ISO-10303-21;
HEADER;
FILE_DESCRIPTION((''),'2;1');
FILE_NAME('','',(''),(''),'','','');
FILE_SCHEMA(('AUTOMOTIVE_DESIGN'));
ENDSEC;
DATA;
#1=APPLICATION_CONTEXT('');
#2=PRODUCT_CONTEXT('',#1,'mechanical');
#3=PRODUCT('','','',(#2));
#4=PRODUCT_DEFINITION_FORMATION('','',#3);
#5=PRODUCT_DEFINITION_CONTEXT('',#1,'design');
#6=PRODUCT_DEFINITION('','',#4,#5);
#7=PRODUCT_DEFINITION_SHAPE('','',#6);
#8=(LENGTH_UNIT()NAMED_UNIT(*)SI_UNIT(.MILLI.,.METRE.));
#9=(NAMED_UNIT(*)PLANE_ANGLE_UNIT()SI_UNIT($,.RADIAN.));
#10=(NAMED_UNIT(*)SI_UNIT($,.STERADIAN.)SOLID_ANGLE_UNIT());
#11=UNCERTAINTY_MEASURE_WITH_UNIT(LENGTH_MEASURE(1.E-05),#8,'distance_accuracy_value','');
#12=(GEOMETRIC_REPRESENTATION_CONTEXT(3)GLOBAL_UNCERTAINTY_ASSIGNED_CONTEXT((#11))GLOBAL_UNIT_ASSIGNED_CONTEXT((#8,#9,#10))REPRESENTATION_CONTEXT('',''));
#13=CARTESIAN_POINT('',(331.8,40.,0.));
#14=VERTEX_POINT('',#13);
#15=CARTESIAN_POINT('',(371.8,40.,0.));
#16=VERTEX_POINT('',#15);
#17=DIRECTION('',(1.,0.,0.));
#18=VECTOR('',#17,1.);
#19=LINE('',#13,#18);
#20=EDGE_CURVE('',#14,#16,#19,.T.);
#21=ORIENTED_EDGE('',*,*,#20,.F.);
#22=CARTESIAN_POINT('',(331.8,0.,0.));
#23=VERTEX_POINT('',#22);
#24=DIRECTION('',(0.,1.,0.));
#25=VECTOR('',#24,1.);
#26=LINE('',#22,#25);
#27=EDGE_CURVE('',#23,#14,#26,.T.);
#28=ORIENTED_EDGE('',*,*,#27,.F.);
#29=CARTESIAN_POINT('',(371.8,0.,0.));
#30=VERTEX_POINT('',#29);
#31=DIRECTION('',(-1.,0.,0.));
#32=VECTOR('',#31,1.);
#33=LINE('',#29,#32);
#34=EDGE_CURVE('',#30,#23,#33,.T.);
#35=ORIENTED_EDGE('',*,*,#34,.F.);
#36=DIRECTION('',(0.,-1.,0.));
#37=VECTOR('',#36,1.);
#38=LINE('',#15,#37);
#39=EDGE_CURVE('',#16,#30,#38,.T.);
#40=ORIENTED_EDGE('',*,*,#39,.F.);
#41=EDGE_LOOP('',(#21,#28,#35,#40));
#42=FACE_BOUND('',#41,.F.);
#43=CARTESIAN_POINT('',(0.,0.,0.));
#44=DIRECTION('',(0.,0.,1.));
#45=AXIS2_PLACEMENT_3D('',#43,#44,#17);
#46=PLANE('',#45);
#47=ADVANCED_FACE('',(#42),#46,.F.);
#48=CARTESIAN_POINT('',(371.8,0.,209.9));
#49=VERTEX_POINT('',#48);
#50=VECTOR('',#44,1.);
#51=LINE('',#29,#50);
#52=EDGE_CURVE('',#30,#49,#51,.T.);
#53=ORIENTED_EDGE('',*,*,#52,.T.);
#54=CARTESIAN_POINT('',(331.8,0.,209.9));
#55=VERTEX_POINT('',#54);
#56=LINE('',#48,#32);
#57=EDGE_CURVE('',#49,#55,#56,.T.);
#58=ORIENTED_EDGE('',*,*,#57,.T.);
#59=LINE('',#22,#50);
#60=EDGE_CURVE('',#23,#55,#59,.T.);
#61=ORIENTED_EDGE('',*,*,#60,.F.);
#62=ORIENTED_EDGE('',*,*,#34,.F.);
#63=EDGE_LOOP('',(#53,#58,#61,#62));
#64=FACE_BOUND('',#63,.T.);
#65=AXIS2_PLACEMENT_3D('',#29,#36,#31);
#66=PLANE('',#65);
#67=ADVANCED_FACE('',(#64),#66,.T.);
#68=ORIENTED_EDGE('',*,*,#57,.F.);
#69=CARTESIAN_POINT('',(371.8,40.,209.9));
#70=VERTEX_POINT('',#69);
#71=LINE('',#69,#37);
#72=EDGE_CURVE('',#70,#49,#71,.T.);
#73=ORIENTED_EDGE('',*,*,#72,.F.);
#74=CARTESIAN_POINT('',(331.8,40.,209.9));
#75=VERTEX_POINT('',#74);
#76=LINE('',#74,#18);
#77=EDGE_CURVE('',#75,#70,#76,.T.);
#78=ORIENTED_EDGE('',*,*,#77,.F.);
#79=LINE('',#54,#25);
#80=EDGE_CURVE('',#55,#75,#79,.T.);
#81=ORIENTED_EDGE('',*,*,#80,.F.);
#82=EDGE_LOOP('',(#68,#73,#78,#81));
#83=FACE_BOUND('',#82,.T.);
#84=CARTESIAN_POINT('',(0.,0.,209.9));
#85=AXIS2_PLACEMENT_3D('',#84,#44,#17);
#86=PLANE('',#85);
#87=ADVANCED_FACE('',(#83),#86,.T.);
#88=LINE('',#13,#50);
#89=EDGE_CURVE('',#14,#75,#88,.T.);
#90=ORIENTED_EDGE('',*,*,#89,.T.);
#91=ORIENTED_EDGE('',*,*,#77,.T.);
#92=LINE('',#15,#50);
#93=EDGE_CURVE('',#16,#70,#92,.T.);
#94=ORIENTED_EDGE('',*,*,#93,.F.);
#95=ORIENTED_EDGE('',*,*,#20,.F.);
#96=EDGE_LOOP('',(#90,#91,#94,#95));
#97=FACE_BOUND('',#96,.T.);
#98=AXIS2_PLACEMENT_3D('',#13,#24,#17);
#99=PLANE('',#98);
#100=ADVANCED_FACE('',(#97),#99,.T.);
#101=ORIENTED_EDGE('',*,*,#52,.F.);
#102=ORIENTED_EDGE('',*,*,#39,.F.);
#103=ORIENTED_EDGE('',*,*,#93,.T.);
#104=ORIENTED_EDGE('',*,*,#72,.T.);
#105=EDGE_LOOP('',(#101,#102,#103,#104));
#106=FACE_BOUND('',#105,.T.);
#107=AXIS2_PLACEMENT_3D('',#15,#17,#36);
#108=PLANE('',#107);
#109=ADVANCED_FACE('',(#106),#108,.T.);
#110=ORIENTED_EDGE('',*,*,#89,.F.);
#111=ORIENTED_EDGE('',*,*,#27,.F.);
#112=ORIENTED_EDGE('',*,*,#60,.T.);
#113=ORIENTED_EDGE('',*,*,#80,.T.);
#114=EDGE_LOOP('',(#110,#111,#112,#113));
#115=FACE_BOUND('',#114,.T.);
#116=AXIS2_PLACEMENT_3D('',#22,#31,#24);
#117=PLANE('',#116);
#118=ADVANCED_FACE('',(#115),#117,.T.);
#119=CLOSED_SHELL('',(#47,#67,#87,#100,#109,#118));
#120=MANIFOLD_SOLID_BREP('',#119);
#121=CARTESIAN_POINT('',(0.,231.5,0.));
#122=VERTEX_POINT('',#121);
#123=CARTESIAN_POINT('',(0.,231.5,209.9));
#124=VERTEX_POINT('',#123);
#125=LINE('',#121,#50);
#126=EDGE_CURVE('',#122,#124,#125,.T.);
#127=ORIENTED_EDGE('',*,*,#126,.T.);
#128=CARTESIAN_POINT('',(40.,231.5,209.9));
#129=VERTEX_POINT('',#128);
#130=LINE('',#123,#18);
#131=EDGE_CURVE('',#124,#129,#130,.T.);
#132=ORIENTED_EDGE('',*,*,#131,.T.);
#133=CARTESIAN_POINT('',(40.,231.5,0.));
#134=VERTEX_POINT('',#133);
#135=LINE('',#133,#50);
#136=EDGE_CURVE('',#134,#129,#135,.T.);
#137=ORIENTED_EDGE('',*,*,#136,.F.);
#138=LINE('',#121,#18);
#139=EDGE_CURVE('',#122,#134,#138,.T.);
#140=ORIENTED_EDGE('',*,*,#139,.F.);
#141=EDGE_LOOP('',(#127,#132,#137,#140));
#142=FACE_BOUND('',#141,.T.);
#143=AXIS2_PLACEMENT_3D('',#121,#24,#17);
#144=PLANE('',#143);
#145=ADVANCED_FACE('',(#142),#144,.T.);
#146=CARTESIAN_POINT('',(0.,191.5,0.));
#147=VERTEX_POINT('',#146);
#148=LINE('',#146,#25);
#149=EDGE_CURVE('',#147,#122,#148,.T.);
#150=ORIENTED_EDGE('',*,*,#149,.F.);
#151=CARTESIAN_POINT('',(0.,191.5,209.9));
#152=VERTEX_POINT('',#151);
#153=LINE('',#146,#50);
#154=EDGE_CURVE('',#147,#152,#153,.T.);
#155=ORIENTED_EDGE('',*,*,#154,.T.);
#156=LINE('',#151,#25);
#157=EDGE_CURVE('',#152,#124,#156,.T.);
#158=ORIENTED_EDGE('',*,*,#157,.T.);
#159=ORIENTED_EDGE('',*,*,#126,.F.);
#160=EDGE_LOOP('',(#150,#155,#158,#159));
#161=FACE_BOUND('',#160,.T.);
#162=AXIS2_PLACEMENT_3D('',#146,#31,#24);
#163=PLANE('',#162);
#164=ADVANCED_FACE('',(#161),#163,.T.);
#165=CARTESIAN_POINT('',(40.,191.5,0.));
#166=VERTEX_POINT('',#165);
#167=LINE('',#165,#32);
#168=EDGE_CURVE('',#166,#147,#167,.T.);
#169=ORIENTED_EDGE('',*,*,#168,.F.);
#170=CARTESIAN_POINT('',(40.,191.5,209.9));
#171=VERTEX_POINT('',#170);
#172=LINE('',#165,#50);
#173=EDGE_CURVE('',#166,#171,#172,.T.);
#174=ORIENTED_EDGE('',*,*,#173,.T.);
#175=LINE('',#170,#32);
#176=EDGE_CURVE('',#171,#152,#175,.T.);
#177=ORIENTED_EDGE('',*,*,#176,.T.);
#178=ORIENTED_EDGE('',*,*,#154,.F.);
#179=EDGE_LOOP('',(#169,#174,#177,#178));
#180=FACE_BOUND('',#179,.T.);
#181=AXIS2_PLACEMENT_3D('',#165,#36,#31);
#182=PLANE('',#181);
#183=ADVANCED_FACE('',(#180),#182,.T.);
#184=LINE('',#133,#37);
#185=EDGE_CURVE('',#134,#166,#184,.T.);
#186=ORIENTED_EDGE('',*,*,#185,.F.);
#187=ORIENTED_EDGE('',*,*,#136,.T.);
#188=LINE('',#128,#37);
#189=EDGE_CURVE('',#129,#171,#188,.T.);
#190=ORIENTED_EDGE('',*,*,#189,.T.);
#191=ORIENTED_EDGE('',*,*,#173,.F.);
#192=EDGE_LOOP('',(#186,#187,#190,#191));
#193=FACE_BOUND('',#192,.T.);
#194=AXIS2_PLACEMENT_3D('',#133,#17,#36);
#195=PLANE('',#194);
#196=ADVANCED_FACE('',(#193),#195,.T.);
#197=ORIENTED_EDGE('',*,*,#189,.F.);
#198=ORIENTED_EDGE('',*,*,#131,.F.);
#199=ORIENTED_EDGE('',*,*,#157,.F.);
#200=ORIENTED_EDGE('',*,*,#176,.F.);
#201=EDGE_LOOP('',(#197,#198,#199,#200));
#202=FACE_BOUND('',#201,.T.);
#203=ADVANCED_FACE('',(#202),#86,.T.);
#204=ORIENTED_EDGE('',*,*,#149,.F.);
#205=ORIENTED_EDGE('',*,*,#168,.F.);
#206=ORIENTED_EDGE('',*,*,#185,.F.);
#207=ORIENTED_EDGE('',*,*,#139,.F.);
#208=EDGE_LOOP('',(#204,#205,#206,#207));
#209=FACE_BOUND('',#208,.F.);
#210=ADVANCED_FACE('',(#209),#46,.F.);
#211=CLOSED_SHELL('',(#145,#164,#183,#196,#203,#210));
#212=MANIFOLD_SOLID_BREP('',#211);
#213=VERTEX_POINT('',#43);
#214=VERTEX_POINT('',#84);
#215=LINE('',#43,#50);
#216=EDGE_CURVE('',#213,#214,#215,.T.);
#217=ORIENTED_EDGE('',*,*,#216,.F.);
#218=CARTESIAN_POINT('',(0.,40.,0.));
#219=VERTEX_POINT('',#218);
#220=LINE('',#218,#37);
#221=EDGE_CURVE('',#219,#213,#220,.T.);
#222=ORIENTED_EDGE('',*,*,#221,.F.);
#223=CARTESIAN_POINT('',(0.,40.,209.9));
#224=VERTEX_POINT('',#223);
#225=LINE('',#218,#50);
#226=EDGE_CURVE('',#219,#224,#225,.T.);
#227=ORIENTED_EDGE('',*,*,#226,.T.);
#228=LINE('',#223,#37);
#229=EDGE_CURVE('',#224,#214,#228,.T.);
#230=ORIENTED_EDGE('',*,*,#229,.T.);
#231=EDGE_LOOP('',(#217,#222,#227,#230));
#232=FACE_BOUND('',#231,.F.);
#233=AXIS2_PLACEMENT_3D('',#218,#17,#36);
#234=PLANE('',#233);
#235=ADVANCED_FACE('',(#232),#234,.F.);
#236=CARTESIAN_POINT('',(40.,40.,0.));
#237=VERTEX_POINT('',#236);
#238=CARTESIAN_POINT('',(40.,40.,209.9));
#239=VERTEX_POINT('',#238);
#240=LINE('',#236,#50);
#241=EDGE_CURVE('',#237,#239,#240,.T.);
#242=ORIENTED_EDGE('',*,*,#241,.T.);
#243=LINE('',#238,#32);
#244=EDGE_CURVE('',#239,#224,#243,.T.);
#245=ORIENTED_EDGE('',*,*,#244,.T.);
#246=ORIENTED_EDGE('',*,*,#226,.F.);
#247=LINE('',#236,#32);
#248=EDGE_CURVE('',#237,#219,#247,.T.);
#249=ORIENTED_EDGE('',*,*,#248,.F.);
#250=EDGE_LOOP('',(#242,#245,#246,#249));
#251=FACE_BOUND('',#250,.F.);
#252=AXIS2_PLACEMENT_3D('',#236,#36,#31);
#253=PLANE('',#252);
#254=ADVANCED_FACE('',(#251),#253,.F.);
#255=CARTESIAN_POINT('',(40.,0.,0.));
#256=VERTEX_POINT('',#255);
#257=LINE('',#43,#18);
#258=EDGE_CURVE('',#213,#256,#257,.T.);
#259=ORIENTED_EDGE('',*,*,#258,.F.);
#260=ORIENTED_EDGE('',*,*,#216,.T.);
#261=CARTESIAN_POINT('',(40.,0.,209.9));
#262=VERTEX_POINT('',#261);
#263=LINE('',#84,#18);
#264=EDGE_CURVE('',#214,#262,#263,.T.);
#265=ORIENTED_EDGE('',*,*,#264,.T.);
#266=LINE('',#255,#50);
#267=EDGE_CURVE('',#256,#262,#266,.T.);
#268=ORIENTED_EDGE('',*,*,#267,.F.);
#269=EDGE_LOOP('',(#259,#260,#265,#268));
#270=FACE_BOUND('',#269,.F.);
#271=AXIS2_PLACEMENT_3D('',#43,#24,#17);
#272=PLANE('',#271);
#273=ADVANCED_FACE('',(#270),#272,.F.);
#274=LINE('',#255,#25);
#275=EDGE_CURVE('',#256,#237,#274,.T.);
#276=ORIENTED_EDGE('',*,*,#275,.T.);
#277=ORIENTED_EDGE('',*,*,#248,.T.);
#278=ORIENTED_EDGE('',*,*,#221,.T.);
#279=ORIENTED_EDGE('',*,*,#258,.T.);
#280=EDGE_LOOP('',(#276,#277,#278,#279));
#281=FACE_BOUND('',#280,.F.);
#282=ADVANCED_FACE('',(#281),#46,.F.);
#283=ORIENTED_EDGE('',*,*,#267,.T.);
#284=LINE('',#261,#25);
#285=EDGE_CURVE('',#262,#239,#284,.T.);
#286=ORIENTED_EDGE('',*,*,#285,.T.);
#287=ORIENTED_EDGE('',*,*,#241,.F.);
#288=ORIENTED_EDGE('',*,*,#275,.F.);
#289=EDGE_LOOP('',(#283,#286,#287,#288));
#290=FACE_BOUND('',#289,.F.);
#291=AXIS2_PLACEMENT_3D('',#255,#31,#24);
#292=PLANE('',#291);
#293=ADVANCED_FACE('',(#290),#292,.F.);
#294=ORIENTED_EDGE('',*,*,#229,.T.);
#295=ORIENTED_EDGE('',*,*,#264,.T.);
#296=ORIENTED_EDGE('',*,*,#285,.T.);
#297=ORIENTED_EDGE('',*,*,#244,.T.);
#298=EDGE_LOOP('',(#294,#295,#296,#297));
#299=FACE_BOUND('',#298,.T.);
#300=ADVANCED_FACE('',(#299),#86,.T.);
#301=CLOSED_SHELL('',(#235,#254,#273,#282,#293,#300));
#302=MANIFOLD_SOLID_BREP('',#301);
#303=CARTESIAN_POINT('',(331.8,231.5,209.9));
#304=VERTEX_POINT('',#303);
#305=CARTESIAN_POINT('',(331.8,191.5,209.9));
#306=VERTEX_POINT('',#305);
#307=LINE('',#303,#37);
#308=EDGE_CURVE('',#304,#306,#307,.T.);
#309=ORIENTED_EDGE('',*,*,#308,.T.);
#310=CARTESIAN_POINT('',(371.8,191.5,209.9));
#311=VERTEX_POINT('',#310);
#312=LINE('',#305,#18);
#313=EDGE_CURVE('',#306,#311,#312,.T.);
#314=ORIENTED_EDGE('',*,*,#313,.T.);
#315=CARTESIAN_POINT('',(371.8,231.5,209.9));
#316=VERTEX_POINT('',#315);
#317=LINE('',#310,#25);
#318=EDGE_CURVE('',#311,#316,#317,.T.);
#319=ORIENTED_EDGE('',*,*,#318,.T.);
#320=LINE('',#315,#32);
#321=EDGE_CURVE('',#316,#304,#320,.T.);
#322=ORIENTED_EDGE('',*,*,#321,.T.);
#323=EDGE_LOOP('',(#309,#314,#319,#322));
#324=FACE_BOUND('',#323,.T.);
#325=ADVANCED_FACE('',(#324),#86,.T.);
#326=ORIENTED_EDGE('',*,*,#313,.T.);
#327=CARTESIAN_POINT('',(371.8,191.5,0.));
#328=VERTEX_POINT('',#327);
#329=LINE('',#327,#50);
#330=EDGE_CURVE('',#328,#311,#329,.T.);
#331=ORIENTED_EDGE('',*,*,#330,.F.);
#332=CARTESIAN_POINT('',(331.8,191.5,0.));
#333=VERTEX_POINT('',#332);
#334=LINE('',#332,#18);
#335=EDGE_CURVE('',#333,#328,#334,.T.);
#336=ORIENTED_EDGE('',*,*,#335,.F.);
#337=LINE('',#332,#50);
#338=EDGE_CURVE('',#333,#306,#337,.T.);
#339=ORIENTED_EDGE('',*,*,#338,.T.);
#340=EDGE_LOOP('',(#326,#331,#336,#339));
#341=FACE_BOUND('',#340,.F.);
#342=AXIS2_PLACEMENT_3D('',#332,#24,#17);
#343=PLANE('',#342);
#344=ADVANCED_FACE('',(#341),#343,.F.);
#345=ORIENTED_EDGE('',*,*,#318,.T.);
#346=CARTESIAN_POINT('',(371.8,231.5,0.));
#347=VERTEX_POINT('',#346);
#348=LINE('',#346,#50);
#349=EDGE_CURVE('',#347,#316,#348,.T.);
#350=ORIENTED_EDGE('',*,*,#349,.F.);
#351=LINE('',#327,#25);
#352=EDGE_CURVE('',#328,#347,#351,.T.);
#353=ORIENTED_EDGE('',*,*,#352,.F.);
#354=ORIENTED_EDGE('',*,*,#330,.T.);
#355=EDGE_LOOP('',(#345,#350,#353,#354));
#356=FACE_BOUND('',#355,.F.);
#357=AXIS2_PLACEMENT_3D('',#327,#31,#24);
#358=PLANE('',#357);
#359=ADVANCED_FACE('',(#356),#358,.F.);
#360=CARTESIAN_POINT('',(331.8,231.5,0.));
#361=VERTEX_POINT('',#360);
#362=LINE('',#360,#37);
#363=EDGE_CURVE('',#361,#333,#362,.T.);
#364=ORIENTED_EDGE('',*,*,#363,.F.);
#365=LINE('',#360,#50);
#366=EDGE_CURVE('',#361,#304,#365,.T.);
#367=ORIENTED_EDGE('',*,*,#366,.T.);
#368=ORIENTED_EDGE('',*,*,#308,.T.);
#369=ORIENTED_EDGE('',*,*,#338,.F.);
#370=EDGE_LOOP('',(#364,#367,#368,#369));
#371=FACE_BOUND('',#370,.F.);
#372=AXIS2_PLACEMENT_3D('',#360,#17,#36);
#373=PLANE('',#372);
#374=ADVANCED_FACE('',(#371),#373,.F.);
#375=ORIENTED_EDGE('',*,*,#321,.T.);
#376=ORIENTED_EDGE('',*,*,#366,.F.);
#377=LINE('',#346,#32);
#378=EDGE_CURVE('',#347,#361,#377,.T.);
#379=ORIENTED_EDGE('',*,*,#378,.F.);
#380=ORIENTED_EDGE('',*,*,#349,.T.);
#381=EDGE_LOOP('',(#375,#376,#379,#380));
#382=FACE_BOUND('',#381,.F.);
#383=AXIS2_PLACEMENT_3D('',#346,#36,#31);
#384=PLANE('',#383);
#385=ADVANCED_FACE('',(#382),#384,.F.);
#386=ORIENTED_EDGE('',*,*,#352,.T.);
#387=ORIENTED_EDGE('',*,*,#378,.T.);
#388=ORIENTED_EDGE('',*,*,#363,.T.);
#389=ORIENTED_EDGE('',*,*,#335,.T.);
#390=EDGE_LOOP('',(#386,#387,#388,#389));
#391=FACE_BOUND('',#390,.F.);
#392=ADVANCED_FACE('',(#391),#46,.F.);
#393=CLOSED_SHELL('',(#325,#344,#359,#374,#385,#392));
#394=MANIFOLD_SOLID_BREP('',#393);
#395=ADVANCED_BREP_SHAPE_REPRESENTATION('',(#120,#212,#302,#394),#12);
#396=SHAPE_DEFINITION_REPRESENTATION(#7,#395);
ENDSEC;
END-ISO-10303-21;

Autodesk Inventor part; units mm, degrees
sketch "Sketch1" plane through (0, 0, 0) normal (0, 0, 1) x (1, 0, 0)
  line L0 (371.8, 0) -> (0, 0) construction
  line L1 (0, 0) -> (0, 40) construction
  line L2 (371.8, 40) -> (0, 40) construction
  line L3 (371.8, 0) -> (371.8, 40) construction
  line L4 (0, 0) -> (40, 0) construction
  line L5 (40, 0) -> (40, 40)
  line L6 (40, 40) -> (0, 40) construction
  line L7 (0, 40) -> (0, 0) construction
  line L8 (185.9, 0) -> (185.9, 231.5) construction
  line L9 (371.8, 231.5) -> (0, 231.5) construction
  line L10 (371.8, 191.4) -> (371.8, 40.1) construction
  line L11 (0, 191.4) -> (0, 40.1) construction
  line L12 (371.8, 115.75) -> (0, 115.75) construction
  line L13 (40, 40) -> (0, 40)
  line L14 (0, 40) -> (0, 0)
  line L15 (0, 0) -> (40, 0)
  line L16 (40, 0) -> (40, 40)
  line L17 (0, 231.5) -> (40, 231.5)
  line L18 (40, 231.5) -> (40, 191.5)
  line L19 (40, 191.5) -> (0, 191.5)
  line L20 (0, 191.5) -> (0, 231.5)
  line L21 (371.8, 0) -> (371.8, 40) construction
  line L22 (371.8, 0) -> (331.8, 0) construction
  line L23 (331.8, 0) -> (331.8, 40)
  line L24 (331.8, 40) -> (371.8, 40) construction
  line L25 (371.8, 40) -> (371.8, 0) construction
  line L26 (371.8, 191.4) -> (371.8, 40.1) construction
  line L27 (331.8, 40) -> (371.8, 40)
  line L28 (371.8, 40) -> (371.8, 0)
  line L29 (371.8, 0) -> (331.8, 0)
  line L30 (331.8, 0) -> (331.8, 40)
  line L31 (371.8, 231.5) -> (331.8, 231.5)
  line L32 (331.8, 231.5) -> (331.8, 191.5)
  line L33 (331.8, 191.5) -> (371.8, 191.5)
  line L34 (371.8, 191.5) -> (371.8, 231.5)
  dimension "d0" = 40
  dimension "d1" = 40
  dimension "d2" = 40
ref_plane "Work Plane1" through (-749.4514, -2, 159.9) normal (0, 0, -1) x (0, 1, 0)
ref_plane "Work Plane2" through (0, 0, 259.9) normal (0, 0, -1) x (0, 1, 0)
ref_plane "Work Plane3" through (0, 0, 159.9) normal (0, 0, -1) x (0, 1, 0)
ref_plane "Work Plane4" through (0, 0, 209.9) normal (0, 0, -1) x (0, 1, 0)
extrude "Extrusion1" add sketch "Sketch1" along normal up to surface (209.9 mm away)
properties part number "Z bars"
